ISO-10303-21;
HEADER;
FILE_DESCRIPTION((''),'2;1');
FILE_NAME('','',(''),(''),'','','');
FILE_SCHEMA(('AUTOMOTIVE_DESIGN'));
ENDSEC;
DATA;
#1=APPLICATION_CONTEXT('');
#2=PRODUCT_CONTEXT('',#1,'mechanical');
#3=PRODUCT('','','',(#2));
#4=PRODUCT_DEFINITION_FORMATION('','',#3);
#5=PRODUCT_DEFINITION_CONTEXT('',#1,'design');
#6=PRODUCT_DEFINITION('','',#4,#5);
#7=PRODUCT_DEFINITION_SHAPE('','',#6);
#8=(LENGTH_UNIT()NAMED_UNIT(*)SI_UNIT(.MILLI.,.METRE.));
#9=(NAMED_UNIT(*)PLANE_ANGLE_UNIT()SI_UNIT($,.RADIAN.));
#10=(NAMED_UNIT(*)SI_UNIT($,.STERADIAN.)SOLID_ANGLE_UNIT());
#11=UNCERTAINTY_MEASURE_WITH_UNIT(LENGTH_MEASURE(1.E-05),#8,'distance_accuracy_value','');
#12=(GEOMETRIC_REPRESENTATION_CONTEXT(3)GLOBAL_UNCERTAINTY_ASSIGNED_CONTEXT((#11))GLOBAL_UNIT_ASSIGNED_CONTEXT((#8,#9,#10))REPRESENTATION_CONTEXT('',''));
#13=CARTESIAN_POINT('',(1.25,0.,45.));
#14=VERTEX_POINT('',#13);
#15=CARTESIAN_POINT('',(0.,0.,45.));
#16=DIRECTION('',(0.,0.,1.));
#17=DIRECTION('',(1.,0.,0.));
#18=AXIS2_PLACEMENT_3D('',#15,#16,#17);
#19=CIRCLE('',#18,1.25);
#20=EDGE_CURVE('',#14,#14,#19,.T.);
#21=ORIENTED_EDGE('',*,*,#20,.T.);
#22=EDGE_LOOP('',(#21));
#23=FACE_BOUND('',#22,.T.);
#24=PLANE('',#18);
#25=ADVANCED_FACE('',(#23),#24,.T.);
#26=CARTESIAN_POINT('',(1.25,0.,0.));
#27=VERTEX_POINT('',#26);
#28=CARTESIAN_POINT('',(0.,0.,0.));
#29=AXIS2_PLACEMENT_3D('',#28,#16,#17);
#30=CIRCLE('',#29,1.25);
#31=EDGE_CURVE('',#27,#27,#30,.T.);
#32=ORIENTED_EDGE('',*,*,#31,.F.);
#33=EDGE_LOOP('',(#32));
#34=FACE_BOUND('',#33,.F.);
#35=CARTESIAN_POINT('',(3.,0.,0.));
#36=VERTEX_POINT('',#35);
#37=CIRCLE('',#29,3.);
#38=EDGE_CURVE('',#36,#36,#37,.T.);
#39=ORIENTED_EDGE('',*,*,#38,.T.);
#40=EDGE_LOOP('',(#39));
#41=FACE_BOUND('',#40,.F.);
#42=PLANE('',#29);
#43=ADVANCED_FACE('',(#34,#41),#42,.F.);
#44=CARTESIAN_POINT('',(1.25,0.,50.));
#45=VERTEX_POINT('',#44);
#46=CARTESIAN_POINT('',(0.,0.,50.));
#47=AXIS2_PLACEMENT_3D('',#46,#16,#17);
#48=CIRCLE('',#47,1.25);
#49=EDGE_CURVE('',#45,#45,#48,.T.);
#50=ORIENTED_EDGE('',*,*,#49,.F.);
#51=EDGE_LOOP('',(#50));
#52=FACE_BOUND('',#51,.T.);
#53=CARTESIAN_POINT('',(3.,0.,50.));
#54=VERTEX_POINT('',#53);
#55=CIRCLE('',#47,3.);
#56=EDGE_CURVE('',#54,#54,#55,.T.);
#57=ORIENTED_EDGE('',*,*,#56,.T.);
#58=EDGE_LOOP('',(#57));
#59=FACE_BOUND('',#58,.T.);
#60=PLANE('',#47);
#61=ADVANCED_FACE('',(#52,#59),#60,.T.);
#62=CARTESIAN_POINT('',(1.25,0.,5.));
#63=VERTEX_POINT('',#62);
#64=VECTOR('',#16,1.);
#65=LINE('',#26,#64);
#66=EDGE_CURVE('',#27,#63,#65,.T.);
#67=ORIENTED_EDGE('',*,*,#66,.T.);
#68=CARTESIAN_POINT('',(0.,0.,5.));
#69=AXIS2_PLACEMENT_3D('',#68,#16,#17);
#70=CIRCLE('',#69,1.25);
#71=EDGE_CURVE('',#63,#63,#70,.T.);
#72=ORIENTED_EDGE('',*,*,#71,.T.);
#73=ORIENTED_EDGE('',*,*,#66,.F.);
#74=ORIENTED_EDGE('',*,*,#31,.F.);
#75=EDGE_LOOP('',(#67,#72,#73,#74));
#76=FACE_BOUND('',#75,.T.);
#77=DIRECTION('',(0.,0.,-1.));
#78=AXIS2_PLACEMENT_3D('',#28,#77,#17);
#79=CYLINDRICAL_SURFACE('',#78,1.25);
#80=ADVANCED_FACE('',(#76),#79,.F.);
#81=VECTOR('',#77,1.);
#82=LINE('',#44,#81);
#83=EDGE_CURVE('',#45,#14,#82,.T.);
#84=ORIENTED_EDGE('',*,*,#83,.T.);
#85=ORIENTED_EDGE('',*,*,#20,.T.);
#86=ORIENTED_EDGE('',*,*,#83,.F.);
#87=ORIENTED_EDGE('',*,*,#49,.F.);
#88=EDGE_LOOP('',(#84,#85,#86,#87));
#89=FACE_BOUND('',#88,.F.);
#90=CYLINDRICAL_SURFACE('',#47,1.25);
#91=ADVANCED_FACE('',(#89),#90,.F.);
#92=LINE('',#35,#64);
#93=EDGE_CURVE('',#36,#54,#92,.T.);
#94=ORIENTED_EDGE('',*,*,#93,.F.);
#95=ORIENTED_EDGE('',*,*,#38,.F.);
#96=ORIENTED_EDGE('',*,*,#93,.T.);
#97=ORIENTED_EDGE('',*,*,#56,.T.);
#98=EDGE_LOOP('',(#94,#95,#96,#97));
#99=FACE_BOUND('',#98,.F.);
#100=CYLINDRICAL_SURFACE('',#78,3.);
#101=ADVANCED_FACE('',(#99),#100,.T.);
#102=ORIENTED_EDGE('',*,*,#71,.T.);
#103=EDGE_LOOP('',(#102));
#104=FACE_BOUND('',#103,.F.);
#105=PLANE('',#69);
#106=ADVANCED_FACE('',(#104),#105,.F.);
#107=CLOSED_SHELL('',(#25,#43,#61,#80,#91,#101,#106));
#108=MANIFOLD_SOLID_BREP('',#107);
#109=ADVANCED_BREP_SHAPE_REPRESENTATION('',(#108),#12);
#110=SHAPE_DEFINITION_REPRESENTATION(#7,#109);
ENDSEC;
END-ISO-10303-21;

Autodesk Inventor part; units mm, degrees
ref_plane "YZ Plane" through (0, 0, 0) normal (1, 0, 0) x (0, 1, 0)
ref_plane "XZ Plane" through (0, 0, 0) normal (0, 1, 0) x (-1, 0, 0)
ref_plane "XY Plane" through (0, 0, 0) normal (0, 0, 1) x (1, 0, 0)
sketch "スケッチ1" plane through (0, 0, 0) normal (0, 0, 1) x (1, 0, 0)
  circle A0 centre (0, 0) radius 3
  circle A1 centre (0, 0) radius 1.25
  dimension "d0" = 6
  dimension "d1" = 2.5
extrude "押し出し1" add sketch "スケッチ1" along normal blind 50 contours A0 | A1
sketch "スケッチ2" plane through (0, 0, 50) normal (0, 0, 1) x (1, 0, 0)
  circle A0 centre (0, 0) radius 3 projected
  circle A1 centre (0, 0) radius 1.25
  dimension "d4" = 2.5
extrude "押し出し2" cut sketch "スケッチ2" against normal blind 5 contours A1
extrude "押し出し3" cut sketch "スケッチ1" along normal blind 5 contours A1
properties part number "50mm" material "アルミニウム 2014-T4"
